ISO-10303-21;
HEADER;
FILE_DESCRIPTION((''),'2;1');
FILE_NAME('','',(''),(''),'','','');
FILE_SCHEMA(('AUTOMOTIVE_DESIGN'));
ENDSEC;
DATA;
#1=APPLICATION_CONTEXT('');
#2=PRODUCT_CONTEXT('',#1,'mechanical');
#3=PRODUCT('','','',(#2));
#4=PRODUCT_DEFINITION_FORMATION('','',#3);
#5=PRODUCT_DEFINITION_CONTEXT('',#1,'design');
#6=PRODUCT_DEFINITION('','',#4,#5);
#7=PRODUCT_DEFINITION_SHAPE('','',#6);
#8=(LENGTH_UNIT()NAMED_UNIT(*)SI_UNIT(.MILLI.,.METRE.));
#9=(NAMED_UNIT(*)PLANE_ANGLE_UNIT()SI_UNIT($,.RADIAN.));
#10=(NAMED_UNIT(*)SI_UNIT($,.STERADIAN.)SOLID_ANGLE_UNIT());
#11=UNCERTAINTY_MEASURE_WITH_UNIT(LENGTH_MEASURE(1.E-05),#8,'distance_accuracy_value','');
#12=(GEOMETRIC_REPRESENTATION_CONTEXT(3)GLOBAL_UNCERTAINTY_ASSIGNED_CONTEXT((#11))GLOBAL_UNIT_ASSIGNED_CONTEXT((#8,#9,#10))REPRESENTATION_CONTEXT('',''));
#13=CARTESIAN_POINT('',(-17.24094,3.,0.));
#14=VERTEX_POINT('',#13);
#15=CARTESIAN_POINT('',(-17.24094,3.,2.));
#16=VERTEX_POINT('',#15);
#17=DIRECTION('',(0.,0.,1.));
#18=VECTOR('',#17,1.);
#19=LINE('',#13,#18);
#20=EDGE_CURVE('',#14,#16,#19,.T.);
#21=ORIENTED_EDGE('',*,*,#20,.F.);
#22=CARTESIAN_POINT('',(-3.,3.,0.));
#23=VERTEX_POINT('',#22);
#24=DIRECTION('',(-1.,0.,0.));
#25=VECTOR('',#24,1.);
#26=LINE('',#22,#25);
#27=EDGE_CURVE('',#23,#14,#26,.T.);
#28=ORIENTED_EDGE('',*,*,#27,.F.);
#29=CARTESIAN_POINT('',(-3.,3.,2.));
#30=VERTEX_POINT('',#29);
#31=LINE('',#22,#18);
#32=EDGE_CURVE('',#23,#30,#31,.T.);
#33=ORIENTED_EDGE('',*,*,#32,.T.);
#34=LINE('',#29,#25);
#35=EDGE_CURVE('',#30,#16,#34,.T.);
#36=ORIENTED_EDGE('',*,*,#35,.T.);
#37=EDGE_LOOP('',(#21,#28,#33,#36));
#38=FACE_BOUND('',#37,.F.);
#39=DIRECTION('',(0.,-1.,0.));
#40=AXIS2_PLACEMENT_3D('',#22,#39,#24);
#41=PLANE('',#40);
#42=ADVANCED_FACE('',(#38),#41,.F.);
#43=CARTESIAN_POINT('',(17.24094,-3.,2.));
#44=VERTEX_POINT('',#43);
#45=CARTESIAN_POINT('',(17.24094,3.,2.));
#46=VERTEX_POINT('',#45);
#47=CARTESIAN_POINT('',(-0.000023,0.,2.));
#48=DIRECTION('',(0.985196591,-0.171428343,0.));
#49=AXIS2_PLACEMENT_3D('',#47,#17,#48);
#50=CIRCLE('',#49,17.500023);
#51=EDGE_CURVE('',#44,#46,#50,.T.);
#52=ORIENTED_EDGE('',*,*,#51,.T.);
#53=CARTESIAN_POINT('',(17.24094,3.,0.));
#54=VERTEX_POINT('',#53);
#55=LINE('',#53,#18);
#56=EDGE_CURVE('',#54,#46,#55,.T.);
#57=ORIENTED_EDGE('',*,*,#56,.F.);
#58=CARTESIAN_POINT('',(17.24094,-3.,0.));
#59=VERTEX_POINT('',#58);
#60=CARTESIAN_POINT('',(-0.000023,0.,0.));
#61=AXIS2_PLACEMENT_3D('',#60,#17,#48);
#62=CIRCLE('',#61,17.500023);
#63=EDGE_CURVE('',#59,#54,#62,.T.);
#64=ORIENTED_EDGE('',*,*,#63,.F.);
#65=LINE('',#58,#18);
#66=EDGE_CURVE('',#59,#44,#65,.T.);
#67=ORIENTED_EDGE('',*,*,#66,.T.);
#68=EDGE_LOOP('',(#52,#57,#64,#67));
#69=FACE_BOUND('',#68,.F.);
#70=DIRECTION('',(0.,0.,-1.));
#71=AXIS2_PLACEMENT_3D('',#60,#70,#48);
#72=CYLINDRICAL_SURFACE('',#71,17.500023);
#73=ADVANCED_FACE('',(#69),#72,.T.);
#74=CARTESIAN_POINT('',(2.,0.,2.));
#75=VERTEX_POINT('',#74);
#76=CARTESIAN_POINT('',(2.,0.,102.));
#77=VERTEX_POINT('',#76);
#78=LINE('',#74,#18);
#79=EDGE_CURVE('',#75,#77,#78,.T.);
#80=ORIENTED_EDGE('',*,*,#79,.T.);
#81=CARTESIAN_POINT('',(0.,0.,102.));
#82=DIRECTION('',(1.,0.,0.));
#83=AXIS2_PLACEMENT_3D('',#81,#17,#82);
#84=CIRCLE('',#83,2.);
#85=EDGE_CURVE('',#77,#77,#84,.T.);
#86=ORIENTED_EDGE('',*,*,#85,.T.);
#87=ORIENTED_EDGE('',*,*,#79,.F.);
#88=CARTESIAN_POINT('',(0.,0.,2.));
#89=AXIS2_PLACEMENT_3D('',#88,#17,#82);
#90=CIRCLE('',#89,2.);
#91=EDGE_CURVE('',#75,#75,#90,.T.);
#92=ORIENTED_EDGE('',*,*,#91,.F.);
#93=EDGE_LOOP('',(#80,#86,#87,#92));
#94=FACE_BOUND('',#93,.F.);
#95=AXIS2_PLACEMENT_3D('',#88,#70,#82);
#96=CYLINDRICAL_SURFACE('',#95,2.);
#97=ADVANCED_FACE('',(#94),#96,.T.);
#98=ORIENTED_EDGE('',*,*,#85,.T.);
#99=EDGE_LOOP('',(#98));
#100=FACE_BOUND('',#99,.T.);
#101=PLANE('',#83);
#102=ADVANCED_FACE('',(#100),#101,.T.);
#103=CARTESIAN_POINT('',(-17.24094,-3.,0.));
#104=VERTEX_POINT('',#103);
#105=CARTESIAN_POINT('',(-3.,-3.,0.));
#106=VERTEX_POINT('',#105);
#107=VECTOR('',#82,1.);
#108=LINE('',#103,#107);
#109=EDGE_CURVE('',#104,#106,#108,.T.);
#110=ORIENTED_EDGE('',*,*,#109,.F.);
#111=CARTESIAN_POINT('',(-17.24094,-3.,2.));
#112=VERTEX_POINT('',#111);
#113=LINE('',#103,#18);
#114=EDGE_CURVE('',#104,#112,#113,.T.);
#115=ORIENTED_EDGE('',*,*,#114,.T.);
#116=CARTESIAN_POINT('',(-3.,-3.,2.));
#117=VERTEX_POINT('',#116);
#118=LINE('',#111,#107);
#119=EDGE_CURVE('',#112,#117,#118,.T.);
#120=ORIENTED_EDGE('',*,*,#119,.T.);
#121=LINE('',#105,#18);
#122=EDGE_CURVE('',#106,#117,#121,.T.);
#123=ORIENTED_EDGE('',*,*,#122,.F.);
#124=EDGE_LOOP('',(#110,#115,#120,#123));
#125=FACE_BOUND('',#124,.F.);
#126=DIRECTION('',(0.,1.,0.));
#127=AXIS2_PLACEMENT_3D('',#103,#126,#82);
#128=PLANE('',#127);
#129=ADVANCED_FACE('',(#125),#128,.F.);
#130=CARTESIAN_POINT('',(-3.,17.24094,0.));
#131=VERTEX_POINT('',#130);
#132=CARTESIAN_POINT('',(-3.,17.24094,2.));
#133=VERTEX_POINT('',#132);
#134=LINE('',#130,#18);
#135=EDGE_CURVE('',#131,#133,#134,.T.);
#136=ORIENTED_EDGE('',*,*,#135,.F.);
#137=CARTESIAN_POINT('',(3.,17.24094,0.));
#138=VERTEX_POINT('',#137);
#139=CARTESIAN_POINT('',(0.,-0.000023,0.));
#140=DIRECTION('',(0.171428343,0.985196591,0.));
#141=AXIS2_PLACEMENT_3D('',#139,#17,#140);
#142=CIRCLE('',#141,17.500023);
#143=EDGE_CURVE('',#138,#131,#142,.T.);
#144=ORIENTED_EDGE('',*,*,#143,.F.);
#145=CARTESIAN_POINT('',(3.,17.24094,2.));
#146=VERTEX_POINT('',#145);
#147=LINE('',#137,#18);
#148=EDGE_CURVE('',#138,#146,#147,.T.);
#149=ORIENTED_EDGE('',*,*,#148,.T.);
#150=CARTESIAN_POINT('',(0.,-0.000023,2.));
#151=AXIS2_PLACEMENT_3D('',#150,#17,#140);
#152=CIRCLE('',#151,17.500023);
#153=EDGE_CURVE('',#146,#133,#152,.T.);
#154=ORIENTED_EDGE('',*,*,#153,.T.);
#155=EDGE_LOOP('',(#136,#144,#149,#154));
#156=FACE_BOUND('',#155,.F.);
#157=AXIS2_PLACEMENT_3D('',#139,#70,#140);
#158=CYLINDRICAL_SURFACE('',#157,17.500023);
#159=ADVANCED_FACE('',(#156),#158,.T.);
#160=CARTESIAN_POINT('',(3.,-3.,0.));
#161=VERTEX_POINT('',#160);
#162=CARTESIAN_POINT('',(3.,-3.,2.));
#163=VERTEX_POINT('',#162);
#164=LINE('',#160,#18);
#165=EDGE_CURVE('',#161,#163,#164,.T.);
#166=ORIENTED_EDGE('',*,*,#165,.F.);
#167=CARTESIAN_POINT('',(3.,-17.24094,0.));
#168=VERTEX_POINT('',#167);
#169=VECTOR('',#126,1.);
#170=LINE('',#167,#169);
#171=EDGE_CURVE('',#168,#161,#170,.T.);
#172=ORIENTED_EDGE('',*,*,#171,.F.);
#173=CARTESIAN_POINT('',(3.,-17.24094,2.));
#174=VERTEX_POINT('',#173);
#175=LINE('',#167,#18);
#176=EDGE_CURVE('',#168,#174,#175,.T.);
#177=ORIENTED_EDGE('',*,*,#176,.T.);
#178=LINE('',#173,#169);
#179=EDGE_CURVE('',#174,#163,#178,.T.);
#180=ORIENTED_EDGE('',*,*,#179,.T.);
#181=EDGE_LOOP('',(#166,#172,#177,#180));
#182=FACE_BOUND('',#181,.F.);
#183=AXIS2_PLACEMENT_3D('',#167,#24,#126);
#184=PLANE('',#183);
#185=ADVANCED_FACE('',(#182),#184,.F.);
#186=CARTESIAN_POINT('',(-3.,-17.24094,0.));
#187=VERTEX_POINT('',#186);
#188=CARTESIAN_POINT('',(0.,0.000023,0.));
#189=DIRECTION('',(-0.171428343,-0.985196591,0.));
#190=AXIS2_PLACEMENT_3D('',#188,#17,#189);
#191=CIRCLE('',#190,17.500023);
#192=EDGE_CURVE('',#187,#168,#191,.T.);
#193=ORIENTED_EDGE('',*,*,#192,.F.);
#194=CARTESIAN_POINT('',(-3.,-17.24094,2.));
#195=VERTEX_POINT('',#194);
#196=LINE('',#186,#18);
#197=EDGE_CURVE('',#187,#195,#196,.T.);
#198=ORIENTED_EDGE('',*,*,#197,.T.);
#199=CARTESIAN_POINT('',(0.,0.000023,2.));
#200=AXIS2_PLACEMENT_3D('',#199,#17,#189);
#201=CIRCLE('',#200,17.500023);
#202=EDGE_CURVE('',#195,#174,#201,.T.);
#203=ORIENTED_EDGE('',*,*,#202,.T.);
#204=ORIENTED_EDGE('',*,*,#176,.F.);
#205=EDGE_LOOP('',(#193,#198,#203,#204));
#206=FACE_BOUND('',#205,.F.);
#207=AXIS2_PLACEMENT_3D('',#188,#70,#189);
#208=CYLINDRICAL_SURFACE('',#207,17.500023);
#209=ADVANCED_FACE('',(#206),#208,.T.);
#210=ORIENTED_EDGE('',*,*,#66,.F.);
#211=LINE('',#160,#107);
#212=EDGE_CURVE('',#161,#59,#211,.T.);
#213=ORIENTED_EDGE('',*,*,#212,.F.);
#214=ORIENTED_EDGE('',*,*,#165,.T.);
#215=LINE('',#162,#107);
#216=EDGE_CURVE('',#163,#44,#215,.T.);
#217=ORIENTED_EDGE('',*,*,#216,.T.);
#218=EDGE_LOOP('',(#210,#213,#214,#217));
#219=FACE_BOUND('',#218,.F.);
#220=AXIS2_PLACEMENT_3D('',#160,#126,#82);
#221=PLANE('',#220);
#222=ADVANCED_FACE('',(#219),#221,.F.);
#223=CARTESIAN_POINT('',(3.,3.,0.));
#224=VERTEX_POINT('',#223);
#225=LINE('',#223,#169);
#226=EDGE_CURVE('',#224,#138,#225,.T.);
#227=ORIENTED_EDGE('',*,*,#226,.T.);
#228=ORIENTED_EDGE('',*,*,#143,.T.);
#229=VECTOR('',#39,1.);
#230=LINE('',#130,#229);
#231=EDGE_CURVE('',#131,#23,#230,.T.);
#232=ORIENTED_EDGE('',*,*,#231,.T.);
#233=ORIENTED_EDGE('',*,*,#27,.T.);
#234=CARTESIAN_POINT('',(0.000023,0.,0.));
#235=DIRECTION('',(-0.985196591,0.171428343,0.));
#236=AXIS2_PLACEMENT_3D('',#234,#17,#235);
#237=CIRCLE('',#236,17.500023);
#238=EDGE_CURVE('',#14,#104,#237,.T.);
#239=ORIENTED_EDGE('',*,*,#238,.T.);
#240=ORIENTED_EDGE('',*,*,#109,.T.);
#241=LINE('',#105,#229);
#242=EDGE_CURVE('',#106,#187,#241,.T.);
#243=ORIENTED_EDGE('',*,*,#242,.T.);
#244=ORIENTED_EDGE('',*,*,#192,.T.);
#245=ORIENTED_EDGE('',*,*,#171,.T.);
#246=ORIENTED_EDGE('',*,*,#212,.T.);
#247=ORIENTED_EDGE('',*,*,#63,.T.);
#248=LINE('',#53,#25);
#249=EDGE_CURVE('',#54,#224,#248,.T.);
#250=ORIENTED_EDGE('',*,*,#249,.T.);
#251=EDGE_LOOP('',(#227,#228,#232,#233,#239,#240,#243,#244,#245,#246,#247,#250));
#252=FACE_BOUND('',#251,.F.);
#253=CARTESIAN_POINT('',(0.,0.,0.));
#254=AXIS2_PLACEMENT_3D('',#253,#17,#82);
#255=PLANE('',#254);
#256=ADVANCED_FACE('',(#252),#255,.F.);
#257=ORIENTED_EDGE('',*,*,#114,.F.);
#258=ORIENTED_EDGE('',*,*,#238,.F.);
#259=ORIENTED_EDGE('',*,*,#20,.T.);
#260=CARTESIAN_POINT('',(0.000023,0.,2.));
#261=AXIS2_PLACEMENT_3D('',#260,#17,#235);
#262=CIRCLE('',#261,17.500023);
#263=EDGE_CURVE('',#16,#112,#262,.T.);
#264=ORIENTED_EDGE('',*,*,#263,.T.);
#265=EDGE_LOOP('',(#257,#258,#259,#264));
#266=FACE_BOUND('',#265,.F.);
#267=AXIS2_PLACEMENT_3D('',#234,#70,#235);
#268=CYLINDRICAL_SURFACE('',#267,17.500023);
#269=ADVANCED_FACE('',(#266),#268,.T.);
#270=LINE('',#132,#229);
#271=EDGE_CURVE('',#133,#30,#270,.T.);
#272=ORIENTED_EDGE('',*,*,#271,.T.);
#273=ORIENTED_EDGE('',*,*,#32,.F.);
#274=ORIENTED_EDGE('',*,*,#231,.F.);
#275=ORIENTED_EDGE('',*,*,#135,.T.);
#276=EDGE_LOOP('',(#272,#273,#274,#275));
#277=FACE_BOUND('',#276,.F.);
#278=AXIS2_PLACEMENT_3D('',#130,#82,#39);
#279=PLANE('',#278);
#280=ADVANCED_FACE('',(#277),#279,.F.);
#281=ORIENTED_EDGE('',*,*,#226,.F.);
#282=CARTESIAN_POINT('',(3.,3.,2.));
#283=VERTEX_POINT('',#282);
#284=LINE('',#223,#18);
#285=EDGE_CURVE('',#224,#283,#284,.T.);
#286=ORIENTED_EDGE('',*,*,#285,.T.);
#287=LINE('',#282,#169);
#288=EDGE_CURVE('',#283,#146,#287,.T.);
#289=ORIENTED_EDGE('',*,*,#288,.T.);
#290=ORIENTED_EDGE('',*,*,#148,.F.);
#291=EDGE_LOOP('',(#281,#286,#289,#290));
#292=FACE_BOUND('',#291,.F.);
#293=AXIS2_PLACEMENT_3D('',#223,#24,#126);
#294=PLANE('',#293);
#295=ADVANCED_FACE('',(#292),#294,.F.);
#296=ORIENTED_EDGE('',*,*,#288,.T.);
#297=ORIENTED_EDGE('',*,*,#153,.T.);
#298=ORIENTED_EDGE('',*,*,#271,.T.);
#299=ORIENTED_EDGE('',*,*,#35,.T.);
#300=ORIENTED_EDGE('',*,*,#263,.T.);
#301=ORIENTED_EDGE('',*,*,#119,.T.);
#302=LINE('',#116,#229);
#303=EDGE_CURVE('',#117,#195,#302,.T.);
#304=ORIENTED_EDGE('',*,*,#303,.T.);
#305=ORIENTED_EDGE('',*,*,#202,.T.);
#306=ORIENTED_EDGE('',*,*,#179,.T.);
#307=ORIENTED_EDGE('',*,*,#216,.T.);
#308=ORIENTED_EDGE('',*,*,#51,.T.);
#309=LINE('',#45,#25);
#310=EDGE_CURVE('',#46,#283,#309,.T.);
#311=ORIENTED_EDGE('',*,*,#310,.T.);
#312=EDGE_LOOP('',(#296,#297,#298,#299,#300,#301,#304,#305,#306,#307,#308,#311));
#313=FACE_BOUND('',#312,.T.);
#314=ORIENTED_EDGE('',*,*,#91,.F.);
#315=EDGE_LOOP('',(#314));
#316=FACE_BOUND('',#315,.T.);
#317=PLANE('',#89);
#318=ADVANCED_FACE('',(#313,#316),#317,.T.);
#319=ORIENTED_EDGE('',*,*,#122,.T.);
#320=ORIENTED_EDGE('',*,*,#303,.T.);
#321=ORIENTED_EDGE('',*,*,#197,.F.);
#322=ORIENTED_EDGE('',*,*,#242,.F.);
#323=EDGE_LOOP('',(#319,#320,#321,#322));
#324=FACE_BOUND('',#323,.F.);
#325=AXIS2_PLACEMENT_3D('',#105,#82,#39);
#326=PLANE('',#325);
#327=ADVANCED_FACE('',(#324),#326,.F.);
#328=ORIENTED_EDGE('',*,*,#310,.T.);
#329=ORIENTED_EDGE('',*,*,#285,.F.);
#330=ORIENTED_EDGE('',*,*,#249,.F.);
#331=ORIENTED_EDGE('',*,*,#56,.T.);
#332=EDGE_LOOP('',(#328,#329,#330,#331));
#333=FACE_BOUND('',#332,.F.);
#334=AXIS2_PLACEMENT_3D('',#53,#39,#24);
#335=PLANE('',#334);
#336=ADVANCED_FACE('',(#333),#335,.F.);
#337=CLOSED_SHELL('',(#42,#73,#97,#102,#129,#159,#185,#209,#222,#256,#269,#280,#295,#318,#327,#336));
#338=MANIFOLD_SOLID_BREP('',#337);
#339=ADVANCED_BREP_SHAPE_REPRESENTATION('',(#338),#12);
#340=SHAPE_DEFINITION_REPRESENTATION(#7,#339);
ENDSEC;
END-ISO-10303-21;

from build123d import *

# Parameters (mm, degrees)
F1_DEPTH = 2
F2_R     = 2
F3_DEPTH = 100


with BuildPart() as f1:
    # F0 (on Top) → F1 (new body)
    with BuildSketch(Plane.XY):
        with BuildLine():
            Line((3, 3), (3, 17.24094))
            ThreePointArc((3, 17.24094), (0, 17.5), (-3, 17.24094))
            Line((-3, 17.24094), (-3, 3))
            Line((-3, 3), (-17.24094, 3))
            ThreePointArc((-17.24094, 3), (-17.5, 0), (-17.24094, -3))
            Line((-17.24094, -3), (-3, -3))
            Line((-3, -3), (-3, -17.24094))
            ThreePointArc((-3, -17.24094), (0, -17.5), (3, -17.24094))
            Line((3, -17.24094), (3, -3))
            Line((3, -3), (17.24094, -3))
            ThreePointArc((17.24094, -3), (17.5, 0), (17.24094, 3))
            Line((17.24094, 3), (3, 3))
        make_face()
    extrude(amount=F1_DEPTH)

    # F2 (on face) → F3 (join)
    with BuildSketch(Plane.XY.offset(2)):
        Circle(F2_R)
    extrude(amount=F3_DEPTH)


solid = f1.part
